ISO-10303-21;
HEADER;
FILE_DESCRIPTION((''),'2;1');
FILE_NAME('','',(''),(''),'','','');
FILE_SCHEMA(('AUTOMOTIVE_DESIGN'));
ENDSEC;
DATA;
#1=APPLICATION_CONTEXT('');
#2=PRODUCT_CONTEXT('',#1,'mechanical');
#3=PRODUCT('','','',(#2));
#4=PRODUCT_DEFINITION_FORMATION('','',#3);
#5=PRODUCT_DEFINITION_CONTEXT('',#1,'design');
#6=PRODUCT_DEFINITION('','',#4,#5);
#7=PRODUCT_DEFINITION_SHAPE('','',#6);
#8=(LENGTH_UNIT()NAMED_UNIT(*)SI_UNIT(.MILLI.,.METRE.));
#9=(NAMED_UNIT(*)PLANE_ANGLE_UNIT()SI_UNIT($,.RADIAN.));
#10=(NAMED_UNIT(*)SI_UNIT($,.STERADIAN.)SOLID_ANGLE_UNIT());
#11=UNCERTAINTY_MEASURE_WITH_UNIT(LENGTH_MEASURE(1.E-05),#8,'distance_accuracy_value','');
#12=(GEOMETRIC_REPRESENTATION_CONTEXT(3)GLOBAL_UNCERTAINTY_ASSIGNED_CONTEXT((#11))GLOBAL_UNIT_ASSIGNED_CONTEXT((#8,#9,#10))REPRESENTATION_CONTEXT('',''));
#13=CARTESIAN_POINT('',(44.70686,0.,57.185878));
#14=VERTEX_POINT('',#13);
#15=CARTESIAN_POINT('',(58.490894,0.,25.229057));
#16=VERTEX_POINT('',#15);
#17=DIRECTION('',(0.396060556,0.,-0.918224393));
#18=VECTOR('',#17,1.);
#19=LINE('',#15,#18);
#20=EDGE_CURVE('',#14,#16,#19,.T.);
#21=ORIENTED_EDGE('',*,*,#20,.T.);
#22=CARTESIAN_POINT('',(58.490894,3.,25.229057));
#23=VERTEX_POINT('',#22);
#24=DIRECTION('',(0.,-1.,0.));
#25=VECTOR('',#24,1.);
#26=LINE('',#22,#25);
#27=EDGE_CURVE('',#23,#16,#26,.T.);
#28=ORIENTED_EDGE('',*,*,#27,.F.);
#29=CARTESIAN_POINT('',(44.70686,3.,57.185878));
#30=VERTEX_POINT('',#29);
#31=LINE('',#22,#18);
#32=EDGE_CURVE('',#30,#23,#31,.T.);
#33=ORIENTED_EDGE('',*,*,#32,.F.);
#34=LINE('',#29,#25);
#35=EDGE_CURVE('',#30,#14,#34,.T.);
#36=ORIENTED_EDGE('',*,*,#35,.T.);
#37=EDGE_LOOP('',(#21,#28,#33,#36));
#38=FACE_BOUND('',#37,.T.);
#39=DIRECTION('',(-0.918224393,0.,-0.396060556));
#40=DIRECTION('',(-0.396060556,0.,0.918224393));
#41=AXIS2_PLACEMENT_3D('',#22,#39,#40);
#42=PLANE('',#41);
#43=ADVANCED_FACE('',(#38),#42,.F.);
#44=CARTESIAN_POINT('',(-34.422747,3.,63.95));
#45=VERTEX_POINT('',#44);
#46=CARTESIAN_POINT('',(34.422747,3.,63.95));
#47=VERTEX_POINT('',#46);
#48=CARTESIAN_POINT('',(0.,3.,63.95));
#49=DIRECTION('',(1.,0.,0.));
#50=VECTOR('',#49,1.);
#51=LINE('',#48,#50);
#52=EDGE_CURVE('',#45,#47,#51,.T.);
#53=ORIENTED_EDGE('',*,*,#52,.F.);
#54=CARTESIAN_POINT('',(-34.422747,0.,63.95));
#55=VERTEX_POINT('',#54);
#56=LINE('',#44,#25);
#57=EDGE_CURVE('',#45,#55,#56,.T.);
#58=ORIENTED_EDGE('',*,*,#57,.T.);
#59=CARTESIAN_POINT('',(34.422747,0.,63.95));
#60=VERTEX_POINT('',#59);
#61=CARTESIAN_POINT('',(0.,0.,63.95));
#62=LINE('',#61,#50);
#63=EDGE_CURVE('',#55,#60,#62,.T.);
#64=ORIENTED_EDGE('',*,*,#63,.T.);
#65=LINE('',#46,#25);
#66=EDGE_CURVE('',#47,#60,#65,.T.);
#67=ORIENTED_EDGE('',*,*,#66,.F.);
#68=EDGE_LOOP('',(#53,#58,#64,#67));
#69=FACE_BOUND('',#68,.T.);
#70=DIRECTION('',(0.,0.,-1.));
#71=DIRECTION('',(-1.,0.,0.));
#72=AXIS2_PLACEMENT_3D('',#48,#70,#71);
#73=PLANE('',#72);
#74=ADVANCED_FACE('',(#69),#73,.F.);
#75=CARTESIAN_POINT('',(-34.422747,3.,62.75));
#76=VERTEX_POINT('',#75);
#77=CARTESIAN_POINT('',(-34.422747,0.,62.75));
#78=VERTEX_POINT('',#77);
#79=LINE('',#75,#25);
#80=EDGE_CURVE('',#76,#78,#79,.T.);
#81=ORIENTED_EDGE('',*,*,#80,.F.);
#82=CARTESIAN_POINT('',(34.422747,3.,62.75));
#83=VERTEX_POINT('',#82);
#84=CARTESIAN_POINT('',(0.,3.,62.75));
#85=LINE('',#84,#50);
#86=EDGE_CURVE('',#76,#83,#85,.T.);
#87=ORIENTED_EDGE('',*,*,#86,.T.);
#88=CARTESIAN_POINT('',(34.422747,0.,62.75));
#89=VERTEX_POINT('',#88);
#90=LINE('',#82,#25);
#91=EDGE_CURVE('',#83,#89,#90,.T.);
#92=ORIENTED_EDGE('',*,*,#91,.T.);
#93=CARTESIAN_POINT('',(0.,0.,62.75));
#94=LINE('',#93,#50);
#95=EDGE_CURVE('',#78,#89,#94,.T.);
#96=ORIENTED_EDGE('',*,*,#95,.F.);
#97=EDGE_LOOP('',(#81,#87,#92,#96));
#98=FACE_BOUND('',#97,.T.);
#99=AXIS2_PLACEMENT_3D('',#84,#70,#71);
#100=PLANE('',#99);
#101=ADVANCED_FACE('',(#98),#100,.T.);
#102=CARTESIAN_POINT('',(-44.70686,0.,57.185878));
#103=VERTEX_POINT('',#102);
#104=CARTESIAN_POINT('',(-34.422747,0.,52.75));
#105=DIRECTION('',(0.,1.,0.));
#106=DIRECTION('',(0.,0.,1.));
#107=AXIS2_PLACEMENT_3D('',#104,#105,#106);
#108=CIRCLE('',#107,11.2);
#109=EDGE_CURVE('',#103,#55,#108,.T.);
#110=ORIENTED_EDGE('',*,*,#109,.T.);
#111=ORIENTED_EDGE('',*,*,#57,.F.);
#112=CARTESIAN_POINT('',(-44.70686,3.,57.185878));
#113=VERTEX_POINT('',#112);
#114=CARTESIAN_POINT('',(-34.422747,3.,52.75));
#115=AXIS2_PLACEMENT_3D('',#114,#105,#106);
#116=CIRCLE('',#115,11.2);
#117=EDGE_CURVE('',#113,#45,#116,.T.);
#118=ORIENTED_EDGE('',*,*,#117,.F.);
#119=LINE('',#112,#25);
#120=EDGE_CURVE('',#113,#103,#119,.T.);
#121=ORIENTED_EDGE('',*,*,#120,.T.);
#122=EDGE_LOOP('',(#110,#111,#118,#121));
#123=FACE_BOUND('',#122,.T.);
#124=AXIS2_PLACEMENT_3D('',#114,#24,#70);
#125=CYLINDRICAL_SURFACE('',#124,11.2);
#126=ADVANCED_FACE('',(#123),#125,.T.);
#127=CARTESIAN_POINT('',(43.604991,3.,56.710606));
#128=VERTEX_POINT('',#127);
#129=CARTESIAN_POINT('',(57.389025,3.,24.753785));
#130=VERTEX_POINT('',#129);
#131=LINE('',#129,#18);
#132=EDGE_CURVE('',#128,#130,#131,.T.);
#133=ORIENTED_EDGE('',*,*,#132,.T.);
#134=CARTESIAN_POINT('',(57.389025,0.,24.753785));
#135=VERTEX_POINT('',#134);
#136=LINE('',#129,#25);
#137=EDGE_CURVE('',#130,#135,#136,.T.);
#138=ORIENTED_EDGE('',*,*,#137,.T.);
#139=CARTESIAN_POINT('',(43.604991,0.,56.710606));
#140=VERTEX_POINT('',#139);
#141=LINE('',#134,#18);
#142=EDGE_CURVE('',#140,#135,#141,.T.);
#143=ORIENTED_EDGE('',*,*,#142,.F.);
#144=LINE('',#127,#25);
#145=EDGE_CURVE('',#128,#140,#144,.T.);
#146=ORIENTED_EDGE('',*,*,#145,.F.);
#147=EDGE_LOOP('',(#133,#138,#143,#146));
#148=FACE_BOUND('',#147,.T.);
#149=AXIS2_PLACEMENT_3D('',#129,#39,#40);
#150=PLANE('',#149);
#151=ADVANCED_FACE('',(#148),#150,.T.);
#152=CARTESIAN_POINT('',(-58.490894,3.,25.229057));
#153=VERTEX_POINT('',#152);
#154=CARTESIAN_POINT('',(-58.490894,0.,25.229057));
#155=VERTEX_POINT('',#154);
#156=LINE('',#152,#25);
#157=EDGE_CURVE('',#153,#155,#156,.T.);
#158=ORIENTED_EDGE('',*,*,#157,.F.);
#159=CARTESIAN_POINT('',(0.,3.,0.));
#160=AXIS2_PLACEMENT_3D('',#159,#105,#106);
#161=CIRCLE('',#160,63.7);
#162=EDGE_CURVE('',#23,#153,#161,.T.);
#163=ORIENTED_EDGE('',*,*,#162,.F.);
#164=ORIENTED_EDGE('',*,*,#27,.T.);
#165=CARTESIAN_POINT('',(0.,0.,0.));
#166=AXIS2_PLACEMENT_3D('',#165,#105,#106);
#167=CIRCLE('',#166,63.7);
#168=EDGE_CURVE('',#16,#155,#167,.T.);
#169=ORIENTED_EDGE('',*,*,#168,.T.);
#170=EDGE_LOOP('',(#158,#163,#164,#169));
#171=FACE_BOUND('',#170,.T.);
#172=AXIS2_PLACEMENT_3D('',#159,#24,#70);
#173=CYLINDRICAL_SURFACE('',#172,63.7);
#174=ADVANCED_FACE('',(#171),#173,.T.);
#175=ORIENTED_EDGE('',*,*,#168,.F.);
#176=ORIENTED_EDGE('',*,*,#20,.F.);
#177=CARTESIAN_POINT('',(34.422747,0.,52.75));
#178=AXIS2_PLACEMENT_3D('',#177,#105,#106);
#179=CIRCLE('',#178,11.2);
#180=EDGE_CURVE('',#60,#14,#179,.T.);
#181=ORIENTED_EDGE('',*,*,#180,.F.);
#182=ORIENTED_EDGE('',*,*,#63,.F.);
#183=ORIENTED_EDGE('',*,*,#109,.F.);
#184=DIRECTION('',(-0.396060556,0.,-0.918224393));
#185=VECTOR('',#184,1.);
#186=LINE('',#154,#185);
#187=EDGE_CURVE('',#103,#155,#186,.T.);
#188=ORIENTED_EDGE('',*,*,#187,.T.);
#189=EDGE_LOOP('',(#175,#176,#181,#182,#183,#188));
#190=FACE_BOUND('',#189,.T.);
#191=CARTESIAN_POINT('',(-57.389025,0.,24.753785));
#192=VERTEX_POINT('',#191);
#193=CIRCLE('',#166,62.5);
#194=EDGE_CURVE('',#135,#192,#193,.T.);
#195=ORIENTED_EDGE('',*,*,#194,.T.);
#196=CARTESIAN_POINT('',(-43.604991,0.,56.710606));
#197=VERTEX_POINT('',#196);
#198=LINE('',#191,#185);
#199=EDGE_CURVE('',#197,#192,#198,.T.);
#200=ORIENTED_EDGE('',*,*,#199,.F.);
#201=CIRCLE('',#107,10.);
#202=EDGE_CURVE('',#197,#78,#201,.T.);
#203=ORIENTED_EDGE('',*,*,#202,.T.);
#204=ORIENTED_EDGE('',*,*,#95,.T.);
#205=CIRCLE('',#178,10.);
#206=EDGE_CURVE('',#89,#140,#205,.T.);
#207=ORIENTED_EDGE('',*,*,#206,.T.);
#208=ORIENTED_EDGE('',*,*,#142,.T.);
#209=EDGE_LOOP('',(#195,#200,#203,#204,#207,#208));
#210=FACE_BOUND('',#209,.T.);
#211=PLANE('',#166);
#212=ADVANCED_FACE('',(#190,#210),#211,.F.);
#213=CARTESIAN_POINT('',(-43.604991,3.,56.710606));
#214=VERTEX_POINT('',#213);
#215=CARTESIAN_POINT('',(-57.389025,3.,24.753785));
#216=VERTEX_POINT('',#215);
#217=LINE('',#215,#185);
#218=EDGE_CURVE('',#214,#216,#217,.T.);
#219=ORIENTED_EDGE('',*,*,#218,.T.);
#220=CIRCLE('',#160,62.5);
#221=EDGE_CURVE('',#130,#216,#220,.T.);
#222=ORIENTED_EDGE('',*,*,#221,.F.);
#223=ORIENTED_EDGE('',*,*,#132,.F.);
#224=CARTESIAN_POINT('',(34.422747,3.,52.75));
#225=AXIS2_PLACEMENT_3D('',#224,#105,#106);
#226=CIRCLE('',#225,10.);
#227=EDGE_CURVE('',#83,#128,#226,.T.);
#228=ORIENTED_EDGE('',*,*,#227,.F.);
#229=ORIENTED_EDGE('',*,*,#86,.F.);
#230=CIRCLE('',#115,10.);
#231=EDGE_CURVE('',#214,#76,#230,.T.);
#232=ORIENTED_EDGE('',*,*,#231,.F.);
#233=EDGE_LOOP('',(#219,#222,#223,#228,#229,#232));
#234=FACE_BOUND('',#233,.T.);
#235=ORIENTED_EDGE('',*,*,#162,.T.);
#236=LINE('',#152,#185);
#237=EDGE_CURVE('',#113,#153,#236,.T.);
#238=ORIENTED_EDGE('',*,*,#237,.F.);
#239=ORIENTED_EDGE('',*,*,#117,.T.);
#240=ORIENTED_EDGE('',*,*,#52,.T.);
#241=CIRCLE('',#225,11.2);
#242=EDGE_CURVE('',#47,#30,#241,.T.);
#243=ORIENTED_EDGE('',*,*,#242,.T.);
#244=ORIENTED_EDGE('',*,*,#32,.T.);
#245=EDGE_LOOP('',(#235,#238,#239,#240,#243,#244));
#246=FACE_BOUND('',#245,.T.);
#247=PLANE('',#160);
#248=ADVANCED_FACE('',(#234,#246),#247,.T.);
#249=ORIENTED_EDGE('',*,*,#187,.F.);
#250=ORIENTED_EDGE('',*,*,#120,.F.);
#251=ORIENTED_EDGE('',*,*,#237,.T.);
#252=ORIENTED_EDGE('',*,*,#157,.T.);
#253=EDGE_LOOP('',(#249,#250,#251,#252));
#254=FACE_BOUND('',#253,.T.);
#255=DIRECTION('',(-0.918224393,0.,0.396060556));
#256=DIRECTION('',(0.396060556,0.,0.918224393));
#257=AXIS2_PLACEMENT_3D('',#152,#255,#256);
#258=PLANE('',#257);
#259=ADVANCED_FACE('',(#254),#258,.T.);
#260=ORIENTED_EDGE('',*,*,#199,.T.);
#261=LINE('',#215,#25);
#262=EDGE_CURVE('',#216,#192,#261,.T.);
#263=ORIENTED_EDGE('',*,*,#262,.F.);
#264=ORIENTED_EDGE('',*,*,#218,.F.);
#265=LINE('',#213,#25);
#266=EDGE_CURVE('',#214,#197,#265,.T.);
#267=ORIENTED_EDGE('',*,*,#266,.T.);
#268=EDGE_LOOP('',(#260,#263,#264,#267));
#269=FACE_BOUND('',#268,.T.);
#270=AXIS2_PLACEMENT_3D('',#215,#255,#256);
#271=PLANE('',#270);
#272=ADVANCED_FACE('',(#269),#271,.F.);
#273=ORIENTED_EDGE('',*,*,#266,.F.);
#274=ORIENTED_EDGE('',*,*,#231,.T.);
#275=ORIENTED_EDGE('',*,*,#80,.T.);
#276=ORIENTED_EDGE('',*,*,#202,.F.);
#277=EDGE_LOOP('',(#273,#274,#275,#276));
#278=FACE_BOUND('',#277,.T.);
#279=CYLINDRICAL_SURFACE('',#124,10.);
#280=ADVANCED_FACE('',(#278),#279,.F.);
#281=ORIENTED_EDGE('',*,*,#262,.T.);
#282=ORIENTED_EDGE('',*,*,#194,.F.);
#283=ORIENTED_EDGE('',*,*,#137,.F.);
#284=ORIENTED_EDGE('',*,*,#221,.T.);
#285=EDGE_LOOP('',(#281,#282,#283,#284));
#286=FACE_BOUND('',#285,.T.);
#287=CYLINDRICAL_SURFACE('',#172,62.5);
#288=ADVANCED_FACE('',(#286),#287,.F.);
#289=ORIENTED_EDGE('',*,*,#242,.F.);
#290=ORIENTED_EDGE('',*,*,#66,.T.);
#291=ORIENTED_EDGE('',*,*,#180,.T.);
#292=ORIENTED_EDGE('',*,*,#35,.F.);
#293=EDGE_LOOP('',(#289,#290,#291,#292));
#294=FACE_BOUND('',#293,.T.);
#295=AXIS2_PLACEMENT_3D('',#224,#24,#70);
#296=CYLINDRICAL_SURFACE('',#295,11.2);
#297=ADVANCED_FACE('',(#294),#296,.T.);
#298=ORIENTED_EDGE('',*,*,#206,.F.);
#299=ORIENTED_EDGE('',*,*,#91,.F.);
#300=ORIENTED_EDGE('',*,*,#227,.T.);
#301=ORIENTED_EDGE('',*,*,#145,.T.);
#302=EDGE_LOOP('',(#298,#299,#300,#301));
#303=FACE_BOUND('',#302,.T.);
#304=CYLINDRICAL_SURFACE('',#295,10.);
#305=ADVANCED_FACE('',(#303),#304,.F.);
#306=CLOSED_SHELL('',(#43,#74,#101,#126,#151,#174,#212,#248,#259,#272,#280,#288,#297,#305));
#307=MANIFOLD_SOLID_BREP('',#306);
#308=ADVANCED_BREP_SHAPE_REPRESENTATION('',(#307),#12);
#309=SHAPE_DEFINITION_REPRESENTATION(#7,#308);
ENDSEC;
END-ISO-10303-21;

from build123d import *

# Parameters (mm, degrees)
BOSS_EXTRUDE1_DEPTH = 3


with BuildPart() as part:
    # Sketch1 → Boss-Extrude1 (new body)
    with BuildSketch(Plane(origin=(0, 0, 0), x_dir=(1, 0, 0), z_dir=(0, 1, 0))):
        with BuildLine():
            ThreePointArc((34.422746677, -63.95), (40.577345115, -62.107399108), (44.706859879, -57.185878226))
            Line((44.706859879, -57.185878226), (58.490893839, -25.229057412))
            ThreePointArc((58.490893839, -25.229057412), (0, 63.7), (-58.490893839, -25.229057412))
            Line((-58.490893839, -25.229057412), (-44.706859879, -57.185878226))
            ThreePointArc((-44.706859879, -57.185878226), (-40.577345115, -62.107399108), (-34.422746677, -63.95))
            Line((-34.422746677, -63.95), (34.422746677, -63.95))
        make_face()
        with BuildLine():
            Line((34.422746677, -62.75), (-34.422746677, -62.75))
            ThreePointArc((-34.422746677, -62.75), (-39.917923854, -61.104820632), (-43.604990608, -56.710605559))
            Line((-43.604990608, -56.710605559), (-57.389024568, -24.753784745))
            ThreePointArc((-57.389024568, -24.753784745), (-12.637957994, 61.208921063), (62.5, 0))
            ThreePointArc((62.5, 0), (61.208921063, -12.637957994), (57.389024568, -24.753784745))
            Line((57.389024568, -24.753784745), (43.604990608, -56.710605559))
            ThreePointArc((43.604990608, -56.710605559), (39.917923854, -61.104820632), (34.422746677, -62.75))
        make_face(mode=Mode.SUBTRACT)
    extrude(amount=BOSS_EXTRUDE1_DEPTH)


solid = part.part
